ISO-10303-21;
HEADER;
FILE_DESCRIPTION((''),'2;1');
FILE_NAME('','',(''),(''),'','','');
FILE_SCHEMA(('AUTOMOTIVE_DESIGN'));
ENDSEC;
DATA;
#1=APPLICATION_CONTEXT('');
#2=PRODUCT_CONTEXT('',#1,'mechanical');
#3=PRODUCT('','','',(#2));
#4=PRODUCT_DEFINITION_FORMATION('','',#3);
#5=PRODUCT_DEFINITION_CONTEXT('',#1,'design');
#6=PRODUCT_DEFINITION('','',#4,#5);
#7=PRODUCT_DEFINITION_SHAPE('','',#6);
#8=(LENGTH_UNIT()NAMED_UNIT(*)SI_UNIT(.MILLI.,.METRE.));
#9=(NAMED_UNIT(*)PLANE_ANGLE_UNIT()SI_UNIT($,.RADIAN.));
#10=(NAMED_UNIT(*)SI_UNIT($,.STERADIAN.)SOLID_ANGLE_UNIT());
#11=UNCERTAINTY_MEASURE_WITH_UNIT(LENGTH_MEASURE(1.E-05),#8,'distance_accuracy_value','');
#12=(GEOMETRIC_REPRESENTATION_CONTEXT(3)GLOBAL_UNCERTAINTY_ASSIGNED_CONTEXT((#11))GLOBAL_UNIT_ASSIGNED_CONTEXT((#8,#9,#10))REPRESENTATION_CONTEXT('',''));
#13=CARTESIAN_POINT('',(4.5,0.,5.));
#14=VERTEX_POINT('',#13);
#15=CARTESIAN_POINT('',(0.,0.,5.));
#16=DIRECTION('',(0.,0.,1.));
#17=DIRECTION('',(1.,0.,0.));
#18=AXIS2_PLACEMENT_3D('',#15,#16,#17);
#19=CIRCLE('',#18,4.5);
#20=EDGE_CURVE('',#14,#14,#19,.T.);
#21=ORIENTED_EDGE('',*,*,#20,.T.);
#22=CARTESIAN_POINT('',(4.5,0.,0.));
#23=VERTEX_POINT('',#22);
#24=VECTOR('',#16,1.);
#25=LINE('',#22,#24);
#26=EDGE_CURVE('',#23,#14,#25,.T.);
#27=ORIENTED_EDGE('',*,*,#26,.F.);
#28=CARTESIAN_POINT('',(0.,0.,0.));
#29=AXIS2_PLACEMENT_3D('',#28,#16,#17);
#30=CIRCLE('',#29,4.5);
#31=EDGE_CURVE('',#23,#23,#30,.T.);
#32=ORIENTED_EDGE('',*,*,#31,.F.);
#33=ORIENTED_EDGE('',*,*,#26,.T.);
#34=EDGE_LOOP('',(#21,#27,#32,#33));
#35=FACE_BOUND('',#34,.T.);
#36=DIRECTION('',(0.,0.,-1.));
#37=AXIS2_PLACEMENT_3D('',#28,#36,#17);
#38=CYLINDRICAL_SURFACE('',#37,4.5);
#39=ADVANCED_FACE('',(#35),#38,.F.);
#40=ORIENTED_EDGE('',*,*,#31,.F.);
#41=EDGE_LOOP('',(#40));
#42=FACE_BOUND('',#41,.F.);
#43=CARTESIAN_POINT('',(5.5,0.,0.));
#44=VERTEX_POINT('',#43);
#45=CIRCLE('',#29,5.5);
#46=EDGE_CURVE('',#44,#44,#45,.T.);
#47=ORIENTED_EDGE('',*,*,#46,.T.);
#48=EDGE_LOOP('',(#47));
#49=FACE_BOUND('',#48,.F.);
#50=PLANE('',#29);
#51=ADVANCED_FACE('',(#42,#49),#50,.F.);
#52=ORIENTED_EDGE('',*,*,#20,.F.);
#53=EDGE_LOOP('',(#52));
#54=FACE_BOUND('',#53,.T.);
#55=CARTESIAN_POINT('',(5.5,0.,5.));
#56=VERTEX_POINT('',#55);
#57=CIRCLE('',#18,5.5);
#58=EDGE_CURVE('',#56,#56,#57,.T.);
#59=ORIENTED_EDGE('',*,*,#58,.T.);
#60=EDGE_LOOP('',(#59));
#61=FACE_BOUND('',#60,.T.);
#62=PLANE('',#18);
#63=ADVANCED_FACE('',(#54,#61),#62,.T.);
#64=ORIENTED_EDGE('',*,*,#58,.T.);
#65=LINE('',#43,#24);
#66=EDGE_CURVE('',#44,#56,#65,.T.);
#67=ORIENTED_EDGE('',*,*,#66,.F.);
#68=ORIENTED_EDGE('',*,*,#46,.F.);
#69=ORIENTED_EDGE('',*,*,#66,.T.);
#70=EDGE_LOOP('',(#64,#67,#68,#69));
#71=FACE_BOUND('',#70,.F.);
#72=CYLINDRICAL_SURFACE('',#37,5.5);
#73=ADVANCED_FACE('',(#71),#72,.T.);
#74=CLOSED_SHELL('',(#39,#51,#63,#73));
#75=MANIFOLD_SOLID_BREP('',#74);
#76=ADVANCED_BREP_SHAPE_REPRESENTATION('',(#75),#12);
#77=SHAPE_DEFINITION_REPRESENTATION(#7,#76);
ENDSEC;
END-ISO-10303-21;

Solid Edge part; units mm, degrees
sketch "Sketch1" plane through (0, 0, 0) normal (0, 0, 1) x (1, 0, 0)
  circle A0 centre (0, 0) radius 4.5
  circle A1 centre (0, 0) radius 5.5
  dimension "D1" = 9
  dimension "D2" = 11
extrude "Protrusion1" add sketch "Sketch1" along normal blind 5
properties part number "097" material "Aluminiumlegierung:3.0205, Al 99.0, EN-AW 1200"
